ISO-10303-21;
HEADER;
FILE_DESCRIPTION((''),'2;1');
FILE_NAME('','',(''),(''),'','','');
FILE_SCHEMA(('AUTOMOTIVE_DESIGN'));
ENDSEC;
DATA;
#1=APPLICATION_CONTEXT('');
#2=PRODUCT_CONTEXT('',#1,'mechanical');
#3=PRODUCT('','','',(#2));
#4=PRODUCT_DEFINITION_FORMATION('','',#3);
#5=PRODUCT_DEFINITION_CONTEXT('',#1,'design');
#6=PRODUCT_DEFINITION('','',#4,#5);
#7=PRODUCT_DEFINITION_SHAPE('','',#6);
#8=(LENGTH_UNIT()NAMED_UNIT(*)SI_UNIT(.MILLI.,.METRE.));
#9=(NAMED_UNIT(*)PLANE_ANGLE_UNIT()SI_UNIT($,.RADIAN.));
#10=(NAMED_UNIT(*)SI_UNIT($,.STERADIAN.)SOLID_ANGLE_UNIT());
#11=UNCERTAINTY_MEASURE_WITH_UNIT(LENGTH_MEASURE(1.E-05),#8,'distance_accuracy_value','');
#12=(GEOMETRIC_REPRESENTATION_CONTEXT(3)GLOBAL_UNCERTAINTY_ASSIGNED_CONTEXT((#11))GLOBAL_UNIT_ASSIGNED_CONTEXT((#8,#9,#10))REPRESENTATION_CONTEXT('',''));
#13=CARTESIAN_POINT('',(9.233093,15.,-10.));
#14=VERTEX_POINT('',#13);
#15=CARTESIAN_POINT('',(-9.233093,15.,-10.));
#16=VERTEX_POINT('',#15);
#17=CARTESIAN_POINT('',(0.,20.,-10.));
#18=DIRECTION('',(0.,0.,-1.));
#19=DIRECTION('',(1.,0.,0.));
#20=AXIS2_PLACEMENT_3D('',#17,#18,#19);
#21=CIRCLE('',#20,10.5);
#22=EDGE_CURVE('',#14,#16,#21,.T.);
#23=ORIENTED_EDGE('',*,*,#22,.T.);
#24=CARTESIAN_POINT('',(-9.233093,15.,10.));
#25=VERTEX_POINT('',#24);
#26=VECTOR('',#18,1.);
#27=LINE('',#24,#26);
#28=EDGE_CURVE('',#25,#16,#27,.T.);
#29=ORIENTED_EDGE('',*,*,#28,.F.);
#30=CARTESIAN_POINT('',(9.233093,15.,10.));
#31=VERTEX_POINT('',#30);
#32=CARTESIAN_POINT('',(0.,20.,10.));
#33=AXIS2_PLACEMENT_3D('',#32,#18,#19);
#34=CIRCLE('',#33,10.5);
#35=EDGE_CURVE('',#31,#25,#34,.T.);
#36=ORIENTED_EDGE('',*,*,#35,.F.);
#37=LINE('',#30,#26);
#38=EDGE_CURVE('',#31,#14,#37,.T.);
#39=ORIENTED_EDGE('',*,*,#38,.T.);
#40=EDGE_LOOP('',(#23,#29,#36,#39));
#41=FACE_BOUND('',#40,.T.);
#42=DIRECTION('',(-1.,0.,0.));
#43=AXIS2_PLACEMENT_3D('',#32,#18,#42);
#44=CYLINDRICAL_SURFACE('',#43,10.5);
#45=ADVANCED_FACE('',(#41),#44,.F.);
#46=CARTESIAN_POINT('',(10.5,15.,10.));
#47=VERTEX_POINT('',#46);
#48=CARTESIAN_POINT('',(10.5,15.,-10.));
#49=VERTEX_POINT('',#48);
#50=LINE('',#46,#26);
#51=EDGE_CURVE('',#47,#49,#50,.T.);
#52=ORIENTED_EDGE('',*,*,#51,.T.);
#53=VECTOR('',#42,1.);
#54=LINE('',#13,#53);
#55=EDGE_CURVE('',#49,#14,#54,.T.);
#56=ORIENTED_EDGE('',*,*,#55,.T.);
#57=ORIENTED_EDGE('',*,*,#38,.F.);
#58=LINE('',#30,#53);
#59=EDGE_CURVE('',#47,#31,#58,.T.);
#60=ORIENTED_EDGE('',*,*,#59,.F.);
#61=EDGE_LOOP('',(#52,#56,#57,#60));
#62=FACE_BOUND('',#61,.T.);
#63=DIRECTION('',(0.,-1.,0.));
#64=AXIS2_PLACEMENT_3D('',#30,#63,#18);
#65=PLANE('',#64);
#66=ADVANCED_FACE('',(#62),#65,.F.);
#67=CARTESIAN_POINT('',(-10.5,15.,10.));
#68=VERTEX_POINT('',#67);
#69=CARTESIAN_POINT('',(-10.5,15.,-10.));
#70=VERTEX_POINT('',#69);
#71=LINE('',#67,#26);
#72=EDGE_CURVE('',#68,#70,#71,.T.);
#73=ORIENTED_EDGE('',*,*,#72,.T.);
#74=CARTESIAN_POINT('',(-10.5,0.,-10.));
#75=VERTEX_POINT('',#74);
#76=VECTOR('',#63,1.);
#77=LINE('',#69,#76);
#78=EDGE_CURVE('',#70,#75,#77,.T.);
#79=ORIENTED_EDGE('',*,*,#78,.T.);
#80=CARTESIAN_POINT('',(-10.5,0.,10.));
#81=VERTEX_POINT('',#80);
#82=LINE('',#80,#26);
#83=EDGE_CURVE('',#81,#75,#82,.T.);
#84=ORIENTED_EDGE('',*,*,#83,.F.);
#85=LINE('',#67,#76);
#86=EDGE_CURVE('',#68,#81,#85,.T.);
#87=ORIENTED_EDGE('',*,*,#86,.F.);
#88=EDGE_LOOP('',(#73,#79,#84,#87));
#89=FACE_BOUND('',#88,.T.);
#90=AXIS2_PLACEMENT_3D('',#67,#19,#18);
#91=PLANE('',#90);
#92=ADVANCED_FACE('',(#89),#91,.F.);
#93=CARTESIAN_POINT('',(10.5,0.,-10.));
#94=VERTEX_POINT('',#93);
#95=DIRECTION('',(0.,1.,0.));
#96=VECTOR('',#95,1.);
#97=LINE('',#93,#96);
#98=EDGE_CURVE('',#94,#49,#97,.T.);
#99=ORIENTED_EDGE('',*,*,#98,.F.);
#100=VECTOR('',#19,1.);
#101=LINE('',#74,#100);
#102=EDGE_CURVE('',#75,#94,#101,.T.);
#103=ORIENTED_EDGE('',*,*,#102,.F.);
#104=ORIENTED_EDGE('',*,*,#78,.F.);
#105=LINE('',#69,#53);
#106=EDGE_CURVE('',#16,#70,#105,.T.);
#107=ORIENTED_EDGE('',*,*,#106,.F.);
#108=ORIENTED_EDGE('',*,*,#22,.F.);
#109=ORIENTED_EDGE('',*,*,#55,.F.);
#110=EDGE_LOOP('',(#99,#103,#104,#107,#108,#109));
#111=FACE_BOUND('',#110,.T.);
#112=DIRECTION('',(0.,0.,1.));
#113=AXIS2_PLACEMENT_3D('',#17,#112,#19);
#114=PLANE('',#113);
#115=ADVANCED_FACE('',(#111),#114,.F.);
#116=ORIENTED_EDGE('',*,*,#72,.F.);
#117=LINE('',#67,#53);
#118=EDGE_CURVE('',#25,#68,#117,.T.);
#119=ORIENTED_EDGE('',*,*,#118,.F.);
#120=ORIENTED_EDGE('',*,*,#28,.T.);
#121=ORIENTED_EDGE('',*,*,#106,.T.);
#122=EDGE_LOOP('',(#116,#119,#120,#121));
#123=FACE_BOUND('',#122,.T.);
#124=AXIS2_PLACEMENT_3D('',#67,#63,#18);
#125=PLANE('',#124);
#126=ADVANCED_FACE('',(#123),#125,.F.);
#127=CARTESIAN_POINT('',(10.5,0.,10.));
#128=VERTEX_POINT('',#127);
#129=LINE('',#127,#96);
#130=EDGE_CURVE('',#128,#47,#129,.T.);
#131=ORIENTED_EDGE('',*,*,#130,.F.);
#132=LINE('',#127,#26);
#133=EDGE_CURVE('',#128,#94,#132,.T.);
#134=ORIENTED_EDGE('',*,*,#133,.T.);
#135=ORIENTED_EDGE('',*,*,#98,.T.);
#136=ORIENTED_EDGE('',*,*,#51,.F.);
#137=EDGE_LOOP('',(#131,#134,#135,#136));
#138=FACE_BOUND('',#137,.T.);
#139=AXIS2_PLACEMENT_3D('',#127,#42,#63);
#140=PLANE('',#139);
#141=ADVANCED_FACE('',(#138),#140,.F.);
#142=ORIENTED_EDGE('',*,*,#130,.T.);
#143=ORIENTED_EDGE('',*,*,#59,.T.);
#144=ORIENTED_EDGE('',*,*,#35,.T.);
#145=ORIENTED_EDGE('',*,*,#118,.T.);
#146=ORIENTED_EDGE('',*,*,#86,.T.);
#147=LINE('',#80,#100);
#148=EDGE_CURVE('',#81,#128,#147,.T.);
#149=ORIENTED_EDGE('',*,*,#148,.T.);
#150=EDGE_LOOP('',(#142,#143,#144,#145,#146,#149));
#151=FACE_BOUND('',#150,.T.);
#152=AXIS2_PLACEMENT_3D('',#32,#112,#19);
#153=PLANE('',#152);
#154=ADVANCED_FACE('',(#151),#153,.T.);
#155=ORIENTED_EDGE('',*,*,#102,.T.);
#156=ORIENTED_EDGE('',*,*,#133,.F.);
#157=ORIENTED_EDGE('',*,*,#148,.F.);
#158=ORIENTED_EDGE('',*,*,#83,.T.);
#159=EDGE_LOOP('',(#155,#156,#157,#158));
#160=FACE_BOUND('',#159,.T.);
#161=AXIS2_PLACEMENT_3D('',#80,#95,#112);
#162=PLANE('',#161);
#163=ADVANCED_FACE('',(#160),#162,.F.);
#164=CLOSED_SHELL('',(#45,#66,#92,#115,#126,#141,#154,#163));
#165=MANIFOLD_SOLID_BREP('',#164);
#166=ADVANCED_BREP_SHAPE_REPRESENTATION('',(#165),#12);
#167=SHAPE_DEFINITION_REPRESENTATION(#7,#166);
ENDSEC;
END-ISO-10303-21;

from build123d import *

# Parameters (mm, degrees)
EXTRUDE_1_DEPTH = 10


with BuildPart() as part:
    # 草图1 → 凸台-拉伸1 (new body, symmetric)
    with BuildSketch(Plane.XY):
        with BuildLine():
            Line((-10.5, 15), (-10.5, 0))
            Line((-10.5, 0), (10.5, 0))
            Line((10.5, 0), (10.5, 15))
            Line((10.5, 15), (9.233092656, 15))
            ThreePointArc((9.233092656, 15), (0, 9.5), (-9.233092656, 15))
            Line((-9.233092656, 15), (-10.5, 15))
        make_face()
    extrude(amount=EXTRUDE_1_DEPTH, both=True)


solid = part.part
